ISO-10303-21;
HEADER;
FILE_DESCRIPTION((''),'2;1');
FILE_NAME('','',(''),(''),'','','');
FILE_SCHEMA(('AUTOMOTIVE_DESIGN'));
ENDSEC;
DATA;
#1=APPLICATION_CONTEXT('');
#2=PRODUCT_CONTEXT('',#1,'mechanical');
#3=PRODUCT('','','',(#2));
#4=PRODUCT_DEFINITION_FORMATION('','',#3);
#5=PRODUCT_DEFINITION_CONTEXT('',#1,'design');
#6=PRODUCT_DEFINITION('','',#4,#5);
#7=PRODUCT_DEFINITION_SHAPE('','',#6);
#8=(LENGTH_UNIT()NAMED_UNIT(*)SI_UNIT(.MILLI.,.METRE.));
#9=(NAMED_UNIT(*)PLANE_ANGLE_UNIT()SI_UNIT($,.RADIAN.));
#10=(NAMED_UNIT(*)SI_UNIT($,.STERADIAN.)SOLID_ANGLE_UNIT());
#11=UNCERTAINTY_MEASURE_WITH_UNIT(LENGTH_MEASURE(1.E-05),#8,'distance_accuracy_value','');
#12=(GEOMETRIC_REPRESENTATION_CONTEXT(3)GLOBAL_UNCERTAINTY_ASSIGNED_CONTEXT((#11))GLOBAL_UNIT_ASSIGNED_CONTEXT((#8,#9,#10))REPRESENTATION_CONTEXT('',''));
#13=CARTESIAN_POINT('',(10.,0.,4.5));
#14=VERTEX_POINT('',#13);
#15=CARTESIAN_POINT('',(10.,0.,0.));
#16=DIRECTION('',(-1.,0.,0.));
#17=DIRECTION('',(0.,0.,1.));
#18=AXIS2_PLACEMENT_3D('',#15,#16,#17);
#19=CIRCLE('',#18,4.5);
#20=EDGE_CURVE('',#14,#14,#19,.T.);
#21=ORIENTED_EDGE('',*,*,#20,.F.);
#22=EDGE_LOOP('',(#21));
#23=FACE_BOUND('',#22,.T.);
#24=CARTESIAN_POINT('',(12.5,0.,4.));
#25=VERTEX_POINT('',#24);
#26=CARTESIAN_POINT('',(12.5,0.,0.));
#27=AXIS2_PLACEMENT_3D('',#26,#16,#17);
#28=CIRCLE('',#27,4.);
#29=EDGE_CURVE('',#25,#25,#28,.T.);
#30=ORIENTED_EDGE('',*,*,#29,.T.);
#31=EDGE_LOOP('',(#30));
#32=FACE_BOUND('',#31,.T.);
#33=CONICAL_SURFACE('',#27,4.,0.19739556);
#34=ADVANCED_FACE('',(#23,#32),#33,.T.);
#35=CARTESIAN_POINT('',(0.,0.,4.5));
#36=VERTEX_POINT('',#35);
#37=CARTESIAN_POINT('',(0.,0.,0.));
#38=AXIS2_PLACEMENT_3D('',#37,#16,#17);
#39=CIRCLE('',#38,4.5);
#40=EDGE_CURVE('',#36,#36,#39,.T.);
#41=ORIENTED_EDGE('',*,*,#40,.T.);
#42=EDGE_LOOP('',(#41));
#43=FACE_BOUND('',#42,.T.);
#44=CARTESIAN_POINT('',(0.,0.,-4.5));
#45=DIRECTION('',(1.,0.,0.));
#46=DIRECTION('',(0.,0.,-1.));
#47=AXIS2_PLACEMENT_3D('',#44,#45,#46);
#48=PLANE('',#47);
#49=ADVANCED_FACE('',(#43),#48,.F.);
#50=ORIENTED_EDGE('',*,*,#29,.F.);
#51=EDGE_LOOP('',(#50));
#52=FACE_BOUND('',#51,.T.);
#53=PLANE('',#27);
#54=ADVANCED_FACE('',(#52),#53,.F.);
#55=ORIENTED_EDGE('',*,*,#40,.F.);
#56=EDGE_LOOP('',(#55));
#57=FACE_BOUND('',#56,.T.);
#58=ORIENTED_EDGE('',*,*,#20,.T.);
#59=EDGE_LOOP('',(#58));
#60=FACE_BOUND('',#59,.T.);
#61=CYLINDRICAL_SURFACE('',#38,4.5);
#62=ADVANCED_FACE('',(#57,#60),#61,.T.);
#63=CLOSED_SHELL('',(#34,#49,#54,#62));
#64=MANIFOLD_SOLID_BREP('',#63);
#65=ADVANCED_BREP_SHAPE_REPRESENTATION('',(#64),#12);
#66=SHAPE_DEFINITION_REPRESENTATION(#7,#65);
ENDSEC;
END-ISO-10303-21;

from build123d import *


with BuildPart() as part:
    # Sketch1 → Revolve1 (revolve)
    with BuildSketch(Plane(origin=(0, 0, 0), x_dir=(1, 0, 0), z_dir=(0, 1, 0))):
        Polygon((0, 0), (12.5, 0), (12.5, 4), (10, 4.5), (0, 4.5), align=None)
    revolve(axis=Axis((0, 0, 0), (1, 0, 0)))


solid = part.part
